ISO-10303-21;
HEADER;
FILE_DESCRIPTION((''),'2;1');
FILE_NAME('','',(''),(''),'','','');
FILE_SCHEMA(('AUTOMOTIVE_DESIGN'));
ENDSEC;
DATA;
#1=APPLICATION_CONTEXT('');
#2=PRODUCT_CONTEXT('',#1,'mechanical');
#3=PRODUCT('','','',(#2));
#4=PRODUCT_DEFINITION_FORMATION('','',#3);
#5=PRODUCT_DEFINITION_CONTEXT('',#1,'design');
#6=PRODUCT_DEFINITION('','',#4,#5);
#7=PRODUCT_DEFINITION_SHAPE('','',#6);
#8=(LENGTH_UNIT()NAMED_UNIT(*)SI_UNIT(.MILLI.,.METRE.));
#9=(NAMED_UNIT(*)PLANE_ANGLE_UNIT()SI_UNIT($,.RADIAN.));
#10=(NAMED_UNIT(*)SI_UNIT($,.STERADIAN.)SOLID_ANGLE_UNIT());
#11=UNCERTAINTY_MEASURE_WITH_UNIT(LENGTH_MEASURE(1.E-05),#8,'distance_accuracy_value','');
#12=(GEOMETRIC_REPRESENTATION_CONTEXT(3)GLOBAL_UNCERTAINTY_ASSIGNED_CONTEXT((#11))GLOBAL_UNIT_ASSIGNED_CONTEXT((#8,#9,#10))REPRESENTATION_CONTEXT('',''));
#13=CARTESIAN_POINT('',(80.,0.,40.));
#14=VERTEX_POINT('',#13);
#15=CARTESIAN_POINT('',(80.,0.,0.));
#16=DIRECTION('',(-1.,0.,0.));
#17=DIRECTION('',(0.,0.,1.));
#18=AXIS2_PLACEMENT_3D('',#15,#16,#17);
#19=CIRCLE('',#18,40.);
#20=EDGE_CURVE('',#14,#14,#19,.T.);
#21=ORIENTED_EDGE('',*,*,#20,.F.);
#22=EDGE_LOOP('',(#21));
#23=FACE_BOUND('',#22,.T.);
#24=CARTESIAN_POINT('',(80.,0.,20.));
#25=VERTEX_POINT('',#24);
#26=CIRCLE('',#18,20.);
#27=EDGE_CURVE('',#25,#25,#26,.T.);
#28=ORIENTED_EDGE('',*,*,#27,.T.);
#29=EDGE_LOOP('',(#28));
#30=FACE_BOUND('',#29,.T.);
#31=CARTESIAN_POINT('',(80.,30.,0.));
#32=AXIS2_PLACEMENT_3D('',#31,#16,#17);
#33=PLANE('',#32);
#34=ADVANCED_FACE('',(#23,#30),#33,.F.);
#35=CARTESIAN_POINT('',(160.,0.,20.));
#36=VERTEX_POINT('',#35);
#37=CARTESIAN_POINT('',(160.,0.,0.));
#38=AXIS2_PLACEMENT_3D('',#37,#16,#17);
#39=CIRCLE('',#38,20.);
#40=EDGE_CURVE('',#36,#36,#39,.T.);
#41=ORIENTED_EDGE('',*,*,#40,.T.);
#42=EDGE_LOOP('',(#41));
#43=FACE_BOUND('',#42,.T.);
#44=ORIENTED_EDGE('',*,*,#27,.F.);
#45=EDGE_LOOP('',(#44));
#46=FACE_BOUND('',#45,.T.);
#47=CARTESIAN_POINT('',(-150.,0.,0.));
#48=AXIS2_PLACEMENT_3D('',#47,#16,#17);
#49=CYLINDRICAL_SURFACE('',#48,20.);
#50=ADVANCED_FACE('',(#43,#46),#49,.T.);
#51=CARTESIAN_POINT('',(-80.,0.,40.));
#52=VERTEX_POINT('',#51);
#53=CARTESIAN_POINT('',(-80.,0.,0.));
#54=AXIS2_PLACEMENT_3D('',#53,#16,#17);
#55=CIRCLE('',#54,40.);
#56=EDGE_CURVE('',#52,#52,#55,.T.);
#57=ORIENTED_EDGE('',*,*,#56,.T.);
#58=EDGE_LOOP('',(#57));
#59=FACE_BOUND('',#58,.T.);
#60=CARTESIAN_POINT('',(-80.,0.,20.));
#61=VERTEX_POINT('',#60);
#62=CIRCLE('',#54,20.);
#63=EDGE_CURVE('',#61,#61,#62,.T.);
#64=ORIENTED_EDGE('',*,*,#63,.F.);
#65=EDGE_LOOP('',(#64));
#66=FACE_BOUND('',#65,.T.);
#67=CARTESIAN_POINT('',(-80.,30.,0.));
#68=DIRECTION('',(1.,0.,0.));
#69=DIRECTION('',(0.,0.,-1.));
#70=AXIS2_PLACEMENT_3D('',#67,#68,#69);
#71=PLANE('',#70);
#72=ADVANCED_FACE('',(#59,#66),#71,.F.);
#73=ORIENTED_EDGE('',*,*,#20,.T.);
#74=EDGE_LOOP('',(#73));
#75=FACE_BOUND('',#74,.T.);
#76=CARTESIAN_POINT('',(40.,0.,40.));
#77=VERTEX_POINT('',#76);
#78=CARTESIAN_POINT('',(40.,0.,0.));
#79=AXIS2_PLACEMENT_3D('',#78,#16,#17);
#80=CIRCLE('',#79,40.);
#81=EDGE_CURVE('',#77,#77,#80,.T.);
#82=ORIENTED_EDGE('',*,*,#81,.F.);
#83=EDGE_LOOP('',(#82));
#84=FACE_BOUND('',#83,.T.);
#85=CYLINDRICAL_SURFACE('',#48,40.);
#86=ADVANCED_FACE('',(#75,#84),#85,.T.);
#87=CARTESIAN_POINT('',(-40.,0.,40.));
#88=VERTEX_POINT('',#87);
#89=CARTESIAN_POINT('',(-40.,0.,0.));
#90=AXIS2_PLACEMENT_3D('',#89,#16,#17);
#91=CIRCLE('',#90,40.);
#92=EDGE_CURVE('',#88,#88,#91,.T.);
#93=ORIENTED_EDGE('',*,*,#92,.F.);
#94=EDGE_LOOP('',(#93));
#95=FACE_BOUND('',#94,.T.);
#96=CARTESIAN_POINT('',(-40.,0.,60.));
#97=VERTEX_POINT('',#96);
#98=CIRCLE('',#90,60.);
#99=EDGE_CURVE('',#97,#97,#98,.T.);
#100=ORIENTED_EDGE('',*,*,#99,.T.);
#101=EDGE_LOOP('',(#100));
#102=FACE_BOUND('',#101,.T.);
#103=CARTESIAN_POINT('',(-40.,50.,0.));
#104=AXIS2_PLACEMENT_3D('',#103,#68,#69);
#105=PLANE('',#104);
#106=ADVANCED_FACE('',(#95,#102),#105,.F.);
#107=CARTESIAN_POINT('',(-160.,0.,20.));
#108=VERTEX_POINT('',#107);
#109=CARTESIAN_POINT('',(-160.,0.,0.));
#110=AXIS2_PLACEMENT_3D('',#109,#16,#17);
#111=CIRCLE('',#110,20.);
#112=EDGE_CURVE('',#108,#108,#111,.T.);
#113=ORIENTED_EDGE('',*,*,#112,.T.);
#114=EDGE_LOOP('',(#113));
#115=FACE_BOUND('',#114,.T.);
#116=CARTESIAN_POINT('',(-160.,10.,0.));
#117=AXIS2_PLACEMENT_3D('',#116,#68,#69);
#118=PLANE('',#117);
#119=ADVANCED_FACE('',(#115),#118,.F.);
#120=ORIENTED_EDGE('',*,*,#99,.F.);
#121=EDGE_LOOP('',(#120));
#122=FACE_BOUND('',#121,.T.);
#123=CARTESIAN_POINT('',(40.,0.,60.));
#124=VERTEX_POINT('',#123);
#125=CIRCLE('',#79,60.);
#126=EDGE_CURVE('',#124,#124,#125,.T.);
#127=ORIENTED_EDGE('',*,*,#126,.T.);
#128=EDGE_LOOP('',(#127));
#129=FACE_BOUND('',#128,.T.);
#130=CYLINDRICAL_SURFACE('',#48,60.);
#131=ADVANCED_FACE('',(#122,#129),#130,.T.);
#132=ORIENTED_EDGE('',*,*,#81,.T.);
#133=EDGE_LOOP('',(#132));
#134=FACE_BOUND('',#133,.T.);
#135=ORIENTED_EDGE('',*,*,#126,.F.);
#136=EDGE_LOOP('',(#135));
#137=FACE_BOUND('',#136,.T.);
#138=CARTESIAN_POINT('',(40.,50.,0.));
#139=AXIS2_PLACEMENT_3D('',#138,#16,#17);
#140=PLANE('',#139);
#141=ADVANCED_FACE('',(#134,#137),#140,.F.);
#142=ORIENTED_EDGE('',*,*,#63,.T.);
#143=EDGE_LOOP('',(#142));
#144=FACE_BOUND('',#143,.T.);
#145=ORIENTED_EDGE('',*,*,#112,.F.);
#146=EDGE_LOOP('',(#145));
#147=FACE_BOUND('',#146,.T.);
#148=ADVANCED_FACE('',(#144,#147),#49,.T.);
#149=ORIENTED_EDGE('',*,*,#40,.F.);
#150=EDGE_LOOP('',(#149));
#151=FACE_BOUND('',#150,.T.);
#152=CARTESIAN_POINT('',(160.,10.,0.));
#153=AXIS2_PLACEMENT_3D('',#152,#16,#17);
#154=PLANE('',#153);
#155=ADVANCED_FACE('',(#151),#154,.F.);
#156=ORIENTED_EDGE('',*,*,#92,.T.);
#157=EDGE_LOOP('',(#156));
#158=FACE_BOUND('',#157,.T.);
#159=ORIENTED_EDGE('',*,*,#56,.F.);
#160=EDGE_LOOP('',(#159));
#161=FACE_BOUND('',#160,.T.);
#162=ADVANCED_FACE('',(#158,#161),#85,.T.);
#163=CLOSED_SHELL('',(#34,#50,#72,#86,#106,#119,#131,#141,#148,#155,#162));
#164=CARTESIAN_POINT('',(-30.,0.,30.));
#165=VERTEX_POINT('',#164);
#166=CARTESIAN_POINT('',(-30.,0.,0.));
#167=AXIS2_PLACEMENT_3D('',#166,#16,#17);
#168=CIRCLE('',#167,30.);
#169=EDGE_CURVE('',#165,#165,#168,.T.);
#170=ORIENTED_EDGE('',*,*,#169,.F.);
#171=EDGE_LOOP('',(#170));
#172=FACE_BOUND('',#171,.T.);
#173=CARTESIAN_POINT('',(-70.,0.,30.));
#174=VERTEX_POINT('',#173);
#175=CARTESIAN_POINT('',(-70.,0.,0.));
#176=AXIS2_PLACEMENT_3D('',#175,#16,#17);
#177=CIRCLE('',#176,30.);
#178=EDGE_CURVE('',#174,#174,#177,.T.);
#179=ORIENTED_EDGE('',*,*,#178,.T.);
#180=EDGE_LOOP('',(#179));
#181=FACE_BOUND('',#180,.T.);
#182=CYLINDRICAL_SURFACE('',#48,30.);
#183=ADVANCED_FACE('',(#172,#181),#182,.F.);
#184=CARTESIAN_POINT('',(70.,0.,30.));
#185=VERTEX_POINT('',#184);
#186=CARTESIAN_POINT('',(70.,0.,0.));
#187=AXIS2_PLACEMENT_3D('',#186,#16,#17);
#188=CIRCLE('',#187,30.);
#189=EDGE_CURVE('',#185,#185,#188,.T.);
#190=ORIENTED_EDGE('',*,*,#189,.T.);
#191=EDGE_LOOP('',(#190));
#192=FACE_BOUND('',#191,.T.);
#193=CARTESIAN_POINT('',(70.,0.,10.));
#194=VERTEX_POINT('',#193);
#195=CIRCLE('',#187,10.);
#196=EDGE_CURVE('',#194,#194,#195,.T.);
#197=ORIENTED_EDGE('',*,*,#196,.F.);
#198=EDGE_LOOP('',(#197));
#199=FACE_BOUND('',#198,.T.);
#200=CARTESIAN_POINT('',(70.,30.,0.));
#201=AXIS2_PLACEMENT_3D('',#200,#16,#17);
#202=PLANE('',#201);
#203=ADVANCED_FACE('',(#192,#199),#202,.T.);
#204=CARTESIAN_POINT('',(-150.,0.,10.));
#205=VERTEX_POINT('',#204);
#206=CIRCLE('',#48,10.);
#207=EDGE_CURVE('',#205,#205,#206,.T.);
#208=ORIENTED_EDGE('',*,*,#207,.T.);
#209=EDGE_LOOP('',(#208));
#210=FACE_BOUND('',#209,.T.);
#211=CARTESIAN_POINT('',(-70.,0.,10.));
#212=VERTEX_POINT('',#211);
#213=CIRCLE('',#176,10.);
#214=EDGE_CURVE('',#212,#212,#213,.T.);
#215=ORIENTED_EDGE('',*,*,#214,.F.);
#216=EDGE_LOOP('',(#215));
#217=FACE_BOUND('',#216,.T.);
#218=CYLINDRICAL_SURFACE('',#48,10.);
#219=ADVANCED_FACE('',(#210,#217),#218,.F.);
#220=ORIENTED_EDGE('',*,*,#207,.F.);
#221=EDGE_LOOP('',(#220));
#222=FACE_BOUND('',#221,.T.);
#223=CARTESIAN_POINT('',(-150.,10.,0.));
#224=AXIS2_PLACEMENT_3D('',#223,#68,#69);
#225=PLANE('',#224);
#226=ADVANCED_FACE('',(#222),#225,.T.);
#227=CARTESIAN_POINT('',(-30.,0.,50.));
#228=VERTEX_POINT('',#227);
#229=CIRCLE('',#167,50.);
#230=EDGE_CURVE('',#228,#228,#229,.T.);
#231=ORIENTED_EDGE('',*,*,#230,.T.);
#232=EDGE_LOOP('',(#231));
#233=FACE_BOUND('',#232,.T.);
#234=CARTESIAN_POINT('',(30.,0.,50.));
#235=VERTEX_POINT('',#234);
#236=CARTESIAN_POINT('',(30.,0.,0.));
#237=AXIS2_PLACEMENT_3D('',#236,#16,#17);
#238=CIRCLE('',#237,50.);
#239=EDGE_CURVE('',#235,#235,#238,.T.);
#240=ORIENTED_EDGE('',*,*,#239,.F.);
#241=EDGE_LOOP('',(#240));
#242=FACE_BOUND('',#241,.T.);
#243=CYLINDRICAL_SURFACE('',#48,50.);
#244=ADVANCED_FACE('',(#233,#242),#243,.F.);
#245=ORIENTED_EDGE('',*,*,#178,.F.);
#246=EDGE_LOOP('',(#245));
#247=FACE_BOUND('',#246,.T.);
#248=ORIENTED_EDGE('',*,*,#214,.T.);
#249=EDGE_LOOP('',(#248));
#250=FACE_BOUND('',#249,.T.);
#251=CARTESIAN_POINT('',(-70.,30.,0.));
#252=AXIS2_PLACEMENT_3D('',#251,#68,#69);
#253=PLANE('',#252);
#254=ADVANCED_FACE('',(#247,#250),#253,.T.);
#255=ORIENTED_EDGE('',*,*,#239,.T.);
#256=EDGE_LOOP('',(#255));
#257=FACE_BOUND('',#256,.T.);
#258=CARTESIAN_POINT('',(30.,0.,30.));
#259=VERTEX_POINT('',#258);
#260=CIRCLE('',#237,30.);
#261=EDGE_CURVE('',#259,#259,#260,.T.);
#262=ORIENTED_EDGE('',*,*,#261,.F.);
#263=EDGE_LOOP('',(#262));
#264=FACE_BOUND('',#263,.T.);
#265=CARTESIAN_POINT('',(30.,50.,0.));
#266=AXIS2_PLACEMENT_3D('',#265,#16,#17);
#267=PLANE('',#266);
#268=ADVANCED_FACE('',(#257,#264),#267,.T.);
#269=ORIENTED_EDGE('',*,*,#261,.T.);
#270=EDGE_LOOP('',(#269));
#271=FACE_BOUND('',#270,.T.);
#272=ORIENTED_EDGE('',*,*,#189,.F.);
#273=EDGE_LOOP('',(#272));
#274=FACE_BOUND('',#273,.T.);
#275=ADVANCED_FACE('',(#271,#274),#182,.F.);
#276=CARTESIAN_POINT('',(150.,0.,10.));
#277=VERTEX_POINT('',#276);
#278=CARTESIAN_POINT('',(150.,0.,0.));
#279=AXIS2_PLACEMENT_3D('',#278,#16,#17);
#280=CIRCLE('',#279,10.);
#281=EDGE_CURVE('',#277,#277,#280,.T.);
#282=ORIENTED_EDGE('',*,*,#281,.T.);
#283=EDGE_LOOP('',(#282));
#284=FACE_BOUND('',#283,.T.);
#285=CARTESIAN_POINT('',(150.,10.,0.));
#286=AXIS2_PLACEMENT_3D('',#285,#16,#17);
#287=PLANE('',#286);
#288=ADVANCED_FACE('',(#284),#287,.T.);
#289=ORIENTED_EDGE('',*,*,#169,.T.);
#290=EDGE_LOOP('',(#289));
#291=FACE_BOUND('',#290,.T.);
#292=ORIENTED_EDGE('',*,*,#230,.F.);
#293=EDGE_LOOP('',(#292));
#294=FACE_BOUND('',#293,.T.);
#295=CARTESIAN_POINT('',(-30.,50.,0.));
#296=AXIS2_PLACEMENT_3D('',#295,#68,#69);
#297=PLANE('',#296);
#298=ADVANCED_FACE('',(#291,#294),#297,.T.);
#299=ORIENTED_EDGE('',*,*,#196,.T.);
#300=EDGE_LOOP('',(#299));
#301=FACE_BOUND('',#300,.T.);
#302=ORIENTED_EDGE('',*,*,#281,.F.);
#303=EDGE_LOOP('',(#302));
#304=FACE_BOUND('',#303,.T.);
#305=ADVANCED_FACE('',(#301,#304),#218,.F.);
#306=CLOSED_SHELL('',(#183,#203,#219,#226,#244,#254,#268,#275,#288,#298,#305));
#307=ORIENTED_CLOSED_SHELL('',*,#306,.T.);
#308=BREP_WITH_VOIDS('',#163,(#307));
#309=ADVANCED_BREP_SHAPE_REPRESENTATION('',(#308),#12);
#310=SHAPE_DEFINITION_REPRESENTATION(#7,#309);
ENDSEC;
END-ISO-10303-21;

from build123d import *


with BuildPart() as part:
    # Sketch2 → Revolve-Thin2 (revolve)
    with BuildSketch(Plane.XY, mode=Mode.PRIVATE) as revolve_thin2_sk:
        Polygon((-150, 0), (-150, 10), (-70, 10), (-70, 30), (-30, 30), (-30, 50), (30, 50), (30, 30), (70, 30), (70, 10), (150, 10), (150, 0), (160, 0), (160, 20), (80, 20), (80, 40), (40, 40), (40, 60), (-40, 60), (-40, 40), (-80, 40), (-80, 20), (-160, 20), (-160, 0), align=None)
    revolve(revolve_thin2_sk.sketch.rotate(Axis((-150, 0, 0), (1, 0, 0)), 90), axis=Axis((-150, 0, 0), (1, 0, 0)))  # turned: the seam where the file's is


solid = part.part
